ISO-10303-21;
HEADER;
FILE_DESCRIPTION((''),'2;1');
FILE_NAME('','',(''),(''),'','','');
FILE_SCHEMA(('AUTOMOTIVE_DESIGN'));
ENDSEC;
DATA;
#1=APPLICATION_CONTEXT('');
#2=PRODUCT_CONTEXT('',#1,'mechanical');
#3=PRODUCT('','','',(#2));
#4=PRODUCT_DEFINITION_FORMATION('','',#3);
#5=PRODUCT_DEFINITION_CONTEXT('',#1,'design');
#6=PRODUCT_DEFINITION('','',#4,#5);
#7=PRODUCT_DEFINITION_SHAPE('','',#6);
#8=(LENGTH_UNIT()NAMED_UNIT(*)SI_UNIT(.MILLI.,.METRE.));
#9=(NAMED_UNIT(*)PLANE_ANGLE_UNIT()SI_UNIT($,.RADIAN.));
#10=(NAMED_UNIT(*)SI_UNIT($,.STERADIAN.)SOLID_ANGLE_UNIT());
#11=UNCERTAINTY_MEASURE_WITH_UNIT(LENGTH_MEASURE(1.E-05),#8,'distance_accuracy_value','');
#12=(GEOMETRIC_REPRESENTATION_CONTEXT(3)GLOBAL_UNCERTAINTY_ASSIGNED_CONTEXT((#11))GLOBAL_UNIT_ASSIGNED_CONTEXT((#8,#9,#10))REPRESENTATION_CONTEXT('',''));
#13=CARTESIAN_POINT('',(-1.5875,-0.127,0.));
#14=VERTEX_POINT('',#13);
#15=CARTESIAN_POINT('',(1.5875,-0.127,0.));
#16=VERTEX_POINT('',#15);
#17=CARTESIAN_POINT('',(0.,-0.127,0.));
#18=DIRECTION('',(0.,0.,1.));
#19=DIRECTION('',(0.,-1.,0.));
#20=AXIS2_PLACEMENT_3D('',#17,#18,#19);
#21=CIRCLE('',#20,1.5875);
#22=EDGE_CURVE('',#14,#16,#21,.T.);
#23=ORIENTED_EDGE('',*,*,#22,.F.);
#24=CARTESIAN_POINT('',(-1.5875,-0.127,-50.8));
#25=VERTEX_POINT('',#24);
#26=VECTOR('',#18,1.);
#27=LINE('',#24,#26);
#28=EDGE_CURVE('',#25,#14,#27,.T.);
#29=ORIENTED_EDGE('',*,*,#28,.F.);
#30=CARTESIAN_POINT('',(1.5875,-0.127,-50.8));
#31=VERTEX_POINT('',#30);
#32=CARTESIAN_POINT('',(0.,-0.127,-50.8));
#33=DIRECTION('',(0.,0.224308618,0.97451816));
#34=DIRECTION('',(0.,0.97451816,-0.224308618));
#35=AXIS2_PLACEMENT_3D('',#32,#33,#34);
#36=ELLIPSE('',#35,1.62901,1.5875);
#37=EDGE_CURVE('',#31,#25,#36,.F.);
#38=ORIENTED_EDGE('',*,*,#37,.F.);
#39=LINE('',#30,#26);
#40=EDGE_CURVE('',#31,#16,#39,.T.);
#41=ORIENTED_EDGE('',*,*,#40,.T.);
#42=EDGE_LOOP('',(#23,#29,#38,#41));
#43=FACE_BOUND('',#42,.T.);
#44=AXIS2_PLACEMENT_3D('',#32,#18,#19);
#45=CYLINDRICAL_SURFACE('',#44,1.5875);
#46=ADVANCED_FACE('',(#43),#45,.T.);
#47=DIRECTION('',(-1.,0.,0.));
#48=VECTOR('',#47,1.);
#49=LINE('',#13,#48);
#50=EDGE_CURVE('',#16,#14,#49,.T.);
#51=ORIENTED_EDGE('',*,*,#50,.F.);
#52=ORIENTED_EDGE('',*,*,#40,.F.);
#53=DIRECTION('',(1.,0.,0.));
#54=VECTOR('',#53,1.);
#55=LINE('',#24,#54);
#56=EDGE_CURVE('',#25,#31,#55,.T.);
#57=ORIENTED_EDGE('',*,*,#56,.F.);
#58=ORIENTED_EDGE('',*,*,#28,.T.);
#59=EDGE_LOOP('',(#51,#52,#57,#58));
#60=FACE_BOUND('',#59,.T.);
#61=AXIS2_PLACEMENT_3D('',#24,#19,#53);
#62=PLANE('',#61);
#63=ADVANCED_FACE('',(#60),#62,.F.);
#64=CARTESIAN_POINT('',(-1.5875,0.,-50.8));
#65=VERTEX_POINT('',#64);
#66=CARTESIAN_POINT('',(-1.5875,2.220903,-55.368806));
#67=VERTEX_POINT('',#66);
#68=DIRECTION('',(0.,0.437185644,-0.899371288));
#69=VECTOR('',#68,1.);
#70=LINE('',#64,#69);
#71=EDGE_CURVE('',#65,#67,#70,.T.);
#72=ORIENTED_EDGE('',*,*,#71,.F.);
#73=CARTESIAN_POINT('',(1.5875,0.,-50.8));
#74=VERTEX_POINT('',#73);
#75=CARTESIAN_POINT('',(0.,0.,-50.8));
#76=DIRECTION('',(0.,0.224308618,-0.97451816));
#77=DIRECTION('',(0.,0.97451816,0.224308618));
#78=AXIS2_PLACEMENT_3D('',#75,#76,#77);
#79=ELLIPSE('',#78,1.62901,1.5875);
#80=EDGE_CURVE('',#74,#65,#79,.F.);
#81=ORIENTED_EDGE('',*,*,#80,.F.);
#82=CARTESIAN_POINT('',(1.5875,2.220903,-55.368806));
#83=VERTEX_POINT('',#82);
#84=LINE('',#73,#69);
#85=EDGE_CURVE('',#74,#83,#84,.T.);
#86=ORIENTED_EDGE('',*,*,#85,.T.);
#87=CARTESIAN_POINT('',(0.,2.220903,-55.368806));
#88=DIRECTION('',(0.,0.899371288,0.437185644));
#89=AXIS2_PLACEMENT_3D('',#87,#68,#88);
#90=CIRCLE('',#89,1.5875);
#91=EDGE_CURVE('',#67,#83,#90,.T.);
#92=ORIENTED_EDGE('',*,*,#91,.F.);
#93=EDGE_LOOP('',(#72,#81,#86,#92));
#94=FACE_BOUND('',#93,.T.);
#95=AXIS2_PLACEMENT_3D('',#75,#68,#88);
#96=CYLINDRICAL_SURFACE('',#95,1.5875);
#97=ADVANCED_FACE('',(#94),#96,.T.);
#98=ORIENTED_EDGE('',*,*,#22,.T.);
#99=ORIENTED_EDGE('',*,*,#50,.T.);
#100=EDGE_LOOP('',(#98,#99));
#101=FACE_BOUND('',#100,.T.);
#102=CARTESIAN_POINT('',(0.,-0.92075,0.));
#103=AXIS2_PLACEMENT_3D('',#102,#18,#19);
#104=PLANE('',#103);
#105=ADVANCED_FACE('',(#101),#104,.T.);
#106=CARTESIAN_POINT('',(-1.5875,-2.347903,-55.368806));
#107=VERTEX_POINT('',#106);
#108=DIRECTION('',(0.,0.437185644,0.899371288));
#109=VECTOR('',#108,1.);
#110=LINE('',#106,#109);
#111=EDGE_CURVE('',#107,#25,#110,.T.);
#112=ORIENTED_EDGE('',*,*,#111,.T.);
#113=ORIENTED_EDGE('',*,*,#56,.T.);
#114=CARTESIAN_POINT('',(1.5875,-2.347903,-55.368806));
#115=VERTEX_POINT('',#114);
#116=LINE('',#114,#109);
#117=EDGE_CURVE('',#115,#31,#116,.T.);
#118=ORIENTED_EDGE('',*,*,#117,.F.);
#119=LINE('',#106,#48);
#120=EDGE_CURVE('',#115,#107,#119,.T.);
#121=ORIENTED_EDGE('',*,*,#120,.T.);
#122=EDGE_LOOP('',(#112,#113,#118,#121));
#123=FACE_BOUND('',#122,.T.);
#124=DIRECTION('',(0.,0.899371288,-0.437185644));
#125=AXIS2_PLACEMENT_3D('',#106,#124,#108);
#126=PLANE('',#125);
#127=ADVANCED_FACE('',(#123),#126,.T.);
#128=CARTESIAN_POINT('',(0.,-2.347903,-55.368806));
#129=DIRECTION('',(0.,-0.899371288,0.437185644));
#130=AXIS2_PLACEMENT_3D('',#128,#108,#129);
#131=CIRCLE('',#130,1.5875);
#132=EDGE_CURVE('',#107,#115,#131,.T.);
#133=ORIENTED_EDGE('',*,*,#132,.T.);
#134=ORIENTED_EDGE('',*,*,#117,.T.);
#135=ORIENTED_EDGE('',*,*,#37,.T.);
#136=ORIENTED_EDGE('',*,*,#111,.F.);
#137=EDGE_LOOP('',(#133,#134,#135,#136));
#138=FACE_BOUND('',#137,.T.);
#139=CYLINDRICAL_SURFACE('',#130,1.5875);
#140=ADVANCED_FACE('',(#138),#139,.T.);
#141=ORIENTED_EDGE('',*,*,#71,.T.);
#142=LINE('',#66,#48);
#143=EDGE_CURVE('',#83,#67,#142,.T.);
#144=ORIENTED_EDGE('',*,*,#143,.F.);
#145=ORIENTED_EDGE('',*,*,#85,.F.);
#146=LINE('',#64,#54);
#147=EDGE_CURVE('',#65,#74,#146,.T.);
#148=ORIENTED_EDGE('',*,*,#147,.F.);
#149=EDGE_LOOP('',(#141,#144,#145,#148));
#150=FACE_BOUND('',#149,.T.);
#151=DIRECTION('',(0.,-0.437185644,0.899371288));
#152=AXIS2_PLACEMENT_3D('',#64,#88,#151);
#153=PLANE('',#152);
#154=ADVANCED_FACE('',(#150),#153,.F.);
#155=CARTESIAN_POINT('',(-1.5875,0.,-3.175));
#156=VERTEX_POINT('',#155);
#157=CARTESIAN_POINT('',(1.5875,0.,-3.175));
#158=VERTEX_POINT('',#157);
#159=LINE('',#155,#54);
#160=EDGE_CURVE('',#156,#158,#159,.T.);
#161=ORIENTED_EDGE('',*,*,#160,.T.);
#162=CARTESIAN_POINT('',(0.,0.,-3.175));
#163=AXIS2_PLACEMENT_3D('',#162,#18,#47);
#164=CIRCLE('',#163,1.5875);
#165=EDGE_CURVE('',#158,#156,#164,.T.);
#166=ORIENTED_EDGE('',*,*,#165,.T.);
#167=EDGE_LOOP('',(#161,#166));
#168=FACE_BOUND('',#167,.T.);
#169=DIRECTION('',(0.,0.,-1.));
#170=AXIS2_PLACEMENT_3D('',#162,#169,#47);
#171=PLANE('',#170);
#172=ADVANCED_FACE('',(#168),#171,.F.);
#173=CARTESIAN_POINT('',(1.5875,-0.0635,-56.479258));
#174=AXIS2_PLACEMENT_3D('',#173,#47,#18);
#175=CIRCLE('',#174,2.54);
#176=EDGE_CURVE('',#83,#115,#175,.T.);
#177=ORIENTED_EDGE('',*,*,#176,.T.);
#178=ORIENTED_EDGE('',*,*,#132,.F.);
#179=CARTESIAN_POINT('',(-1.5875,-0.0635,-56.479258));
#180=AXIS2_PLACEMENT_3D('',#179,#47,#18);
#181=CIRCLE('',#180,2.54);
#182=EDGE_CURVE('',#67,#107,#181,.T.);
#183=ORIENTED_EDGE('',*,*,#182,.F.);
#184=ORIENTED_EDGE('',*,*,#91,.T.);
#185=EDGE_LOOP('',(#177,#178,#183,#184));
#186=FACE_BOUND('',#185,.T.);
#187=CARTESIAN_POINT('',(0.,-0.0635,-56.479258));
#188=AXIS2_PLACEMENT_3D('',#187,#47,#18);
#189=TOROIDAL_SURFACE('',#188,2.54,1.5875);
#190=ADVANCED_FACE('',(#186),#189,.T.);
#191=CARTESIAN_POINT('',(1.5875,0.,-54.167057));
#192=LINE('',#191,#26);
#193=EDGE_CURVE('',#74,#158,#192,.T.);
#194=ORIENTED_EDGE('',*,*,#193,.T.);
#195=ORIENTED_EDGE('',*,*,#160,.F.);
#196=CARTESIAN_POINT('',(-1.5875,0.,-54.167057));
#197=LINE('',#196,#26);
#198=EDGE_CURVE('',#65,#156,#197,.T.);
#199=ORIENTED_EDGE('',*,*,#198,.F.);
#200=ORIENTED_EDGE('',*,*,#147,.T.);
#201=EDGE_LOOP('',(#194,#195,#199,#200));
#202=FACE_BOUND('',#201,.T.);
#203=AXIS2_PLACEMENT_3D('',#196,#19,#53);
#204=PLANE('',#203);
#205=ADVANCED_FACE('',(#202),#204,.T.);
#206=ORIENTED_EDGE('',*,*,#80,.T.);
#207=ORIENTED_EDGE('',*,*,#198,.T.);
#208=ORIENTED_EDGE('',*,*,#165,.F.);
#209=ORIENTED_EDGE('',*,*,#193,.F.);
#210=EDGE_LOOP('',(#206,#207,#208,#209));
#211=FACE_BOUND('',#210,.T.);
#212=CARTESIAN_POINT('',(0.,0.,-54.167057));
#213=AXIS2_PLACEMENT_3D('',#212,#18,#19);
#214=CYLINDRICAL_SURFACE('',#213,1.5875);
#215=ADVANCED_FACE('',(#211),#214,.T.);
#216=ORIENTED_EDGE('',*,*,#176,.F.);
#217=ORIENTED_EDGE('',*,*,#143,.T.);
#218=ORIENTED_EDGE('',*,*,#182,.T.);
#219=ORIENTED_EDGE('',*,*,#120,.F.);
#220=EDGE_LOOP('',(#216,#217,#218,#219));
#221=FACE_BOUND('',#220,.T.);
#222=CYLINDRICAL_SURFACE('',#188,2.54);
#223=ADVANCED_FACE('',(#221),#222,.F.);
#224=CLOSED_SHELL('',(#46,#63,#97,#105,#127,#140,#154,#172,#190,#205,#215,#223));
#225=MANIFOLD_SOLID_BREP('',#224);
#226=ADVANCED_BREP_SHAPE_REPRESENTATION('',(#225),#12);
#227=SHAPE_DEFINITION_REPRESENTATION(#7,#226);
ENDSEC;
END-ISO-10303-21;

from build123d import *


with BuildPart() as part:
    # Sweep2: sweep along a path in Sketch2
    with BuildLine(Plane(origin=(0, 0, 0), x_dir=(0, 0, -1), z_dir=(1, 0, 0))) as sweep2_path:
        Line((3.175, 0), (50.8, 0))
        Line((50.8, 0), (55.368806141, 2.22090307))
        ThreePointArc((55.368806141, 2.22090307), (59.019257676, -0.0635), (55.368806141, -2.34790307))
        Line((55.368806141, -2.34790307), (50.8, -0.127))
        Line((50.8, -0.127), (0, -0.127))
    # Sketch3 → Sweep2 (sweep)
    with BuildSketch(Plane.XY.offset(-3.175)):
        with BuildLine():
            Line((-1.5875, 0), (1.5875, 0))
            ThreePointArc((1.5875, 0), (0, 1.5875), (-1.5875, 0))
        make_face()
    sweep(path=sweep2_path.line, transition=Transition.RIGHT)


solid = part.part
